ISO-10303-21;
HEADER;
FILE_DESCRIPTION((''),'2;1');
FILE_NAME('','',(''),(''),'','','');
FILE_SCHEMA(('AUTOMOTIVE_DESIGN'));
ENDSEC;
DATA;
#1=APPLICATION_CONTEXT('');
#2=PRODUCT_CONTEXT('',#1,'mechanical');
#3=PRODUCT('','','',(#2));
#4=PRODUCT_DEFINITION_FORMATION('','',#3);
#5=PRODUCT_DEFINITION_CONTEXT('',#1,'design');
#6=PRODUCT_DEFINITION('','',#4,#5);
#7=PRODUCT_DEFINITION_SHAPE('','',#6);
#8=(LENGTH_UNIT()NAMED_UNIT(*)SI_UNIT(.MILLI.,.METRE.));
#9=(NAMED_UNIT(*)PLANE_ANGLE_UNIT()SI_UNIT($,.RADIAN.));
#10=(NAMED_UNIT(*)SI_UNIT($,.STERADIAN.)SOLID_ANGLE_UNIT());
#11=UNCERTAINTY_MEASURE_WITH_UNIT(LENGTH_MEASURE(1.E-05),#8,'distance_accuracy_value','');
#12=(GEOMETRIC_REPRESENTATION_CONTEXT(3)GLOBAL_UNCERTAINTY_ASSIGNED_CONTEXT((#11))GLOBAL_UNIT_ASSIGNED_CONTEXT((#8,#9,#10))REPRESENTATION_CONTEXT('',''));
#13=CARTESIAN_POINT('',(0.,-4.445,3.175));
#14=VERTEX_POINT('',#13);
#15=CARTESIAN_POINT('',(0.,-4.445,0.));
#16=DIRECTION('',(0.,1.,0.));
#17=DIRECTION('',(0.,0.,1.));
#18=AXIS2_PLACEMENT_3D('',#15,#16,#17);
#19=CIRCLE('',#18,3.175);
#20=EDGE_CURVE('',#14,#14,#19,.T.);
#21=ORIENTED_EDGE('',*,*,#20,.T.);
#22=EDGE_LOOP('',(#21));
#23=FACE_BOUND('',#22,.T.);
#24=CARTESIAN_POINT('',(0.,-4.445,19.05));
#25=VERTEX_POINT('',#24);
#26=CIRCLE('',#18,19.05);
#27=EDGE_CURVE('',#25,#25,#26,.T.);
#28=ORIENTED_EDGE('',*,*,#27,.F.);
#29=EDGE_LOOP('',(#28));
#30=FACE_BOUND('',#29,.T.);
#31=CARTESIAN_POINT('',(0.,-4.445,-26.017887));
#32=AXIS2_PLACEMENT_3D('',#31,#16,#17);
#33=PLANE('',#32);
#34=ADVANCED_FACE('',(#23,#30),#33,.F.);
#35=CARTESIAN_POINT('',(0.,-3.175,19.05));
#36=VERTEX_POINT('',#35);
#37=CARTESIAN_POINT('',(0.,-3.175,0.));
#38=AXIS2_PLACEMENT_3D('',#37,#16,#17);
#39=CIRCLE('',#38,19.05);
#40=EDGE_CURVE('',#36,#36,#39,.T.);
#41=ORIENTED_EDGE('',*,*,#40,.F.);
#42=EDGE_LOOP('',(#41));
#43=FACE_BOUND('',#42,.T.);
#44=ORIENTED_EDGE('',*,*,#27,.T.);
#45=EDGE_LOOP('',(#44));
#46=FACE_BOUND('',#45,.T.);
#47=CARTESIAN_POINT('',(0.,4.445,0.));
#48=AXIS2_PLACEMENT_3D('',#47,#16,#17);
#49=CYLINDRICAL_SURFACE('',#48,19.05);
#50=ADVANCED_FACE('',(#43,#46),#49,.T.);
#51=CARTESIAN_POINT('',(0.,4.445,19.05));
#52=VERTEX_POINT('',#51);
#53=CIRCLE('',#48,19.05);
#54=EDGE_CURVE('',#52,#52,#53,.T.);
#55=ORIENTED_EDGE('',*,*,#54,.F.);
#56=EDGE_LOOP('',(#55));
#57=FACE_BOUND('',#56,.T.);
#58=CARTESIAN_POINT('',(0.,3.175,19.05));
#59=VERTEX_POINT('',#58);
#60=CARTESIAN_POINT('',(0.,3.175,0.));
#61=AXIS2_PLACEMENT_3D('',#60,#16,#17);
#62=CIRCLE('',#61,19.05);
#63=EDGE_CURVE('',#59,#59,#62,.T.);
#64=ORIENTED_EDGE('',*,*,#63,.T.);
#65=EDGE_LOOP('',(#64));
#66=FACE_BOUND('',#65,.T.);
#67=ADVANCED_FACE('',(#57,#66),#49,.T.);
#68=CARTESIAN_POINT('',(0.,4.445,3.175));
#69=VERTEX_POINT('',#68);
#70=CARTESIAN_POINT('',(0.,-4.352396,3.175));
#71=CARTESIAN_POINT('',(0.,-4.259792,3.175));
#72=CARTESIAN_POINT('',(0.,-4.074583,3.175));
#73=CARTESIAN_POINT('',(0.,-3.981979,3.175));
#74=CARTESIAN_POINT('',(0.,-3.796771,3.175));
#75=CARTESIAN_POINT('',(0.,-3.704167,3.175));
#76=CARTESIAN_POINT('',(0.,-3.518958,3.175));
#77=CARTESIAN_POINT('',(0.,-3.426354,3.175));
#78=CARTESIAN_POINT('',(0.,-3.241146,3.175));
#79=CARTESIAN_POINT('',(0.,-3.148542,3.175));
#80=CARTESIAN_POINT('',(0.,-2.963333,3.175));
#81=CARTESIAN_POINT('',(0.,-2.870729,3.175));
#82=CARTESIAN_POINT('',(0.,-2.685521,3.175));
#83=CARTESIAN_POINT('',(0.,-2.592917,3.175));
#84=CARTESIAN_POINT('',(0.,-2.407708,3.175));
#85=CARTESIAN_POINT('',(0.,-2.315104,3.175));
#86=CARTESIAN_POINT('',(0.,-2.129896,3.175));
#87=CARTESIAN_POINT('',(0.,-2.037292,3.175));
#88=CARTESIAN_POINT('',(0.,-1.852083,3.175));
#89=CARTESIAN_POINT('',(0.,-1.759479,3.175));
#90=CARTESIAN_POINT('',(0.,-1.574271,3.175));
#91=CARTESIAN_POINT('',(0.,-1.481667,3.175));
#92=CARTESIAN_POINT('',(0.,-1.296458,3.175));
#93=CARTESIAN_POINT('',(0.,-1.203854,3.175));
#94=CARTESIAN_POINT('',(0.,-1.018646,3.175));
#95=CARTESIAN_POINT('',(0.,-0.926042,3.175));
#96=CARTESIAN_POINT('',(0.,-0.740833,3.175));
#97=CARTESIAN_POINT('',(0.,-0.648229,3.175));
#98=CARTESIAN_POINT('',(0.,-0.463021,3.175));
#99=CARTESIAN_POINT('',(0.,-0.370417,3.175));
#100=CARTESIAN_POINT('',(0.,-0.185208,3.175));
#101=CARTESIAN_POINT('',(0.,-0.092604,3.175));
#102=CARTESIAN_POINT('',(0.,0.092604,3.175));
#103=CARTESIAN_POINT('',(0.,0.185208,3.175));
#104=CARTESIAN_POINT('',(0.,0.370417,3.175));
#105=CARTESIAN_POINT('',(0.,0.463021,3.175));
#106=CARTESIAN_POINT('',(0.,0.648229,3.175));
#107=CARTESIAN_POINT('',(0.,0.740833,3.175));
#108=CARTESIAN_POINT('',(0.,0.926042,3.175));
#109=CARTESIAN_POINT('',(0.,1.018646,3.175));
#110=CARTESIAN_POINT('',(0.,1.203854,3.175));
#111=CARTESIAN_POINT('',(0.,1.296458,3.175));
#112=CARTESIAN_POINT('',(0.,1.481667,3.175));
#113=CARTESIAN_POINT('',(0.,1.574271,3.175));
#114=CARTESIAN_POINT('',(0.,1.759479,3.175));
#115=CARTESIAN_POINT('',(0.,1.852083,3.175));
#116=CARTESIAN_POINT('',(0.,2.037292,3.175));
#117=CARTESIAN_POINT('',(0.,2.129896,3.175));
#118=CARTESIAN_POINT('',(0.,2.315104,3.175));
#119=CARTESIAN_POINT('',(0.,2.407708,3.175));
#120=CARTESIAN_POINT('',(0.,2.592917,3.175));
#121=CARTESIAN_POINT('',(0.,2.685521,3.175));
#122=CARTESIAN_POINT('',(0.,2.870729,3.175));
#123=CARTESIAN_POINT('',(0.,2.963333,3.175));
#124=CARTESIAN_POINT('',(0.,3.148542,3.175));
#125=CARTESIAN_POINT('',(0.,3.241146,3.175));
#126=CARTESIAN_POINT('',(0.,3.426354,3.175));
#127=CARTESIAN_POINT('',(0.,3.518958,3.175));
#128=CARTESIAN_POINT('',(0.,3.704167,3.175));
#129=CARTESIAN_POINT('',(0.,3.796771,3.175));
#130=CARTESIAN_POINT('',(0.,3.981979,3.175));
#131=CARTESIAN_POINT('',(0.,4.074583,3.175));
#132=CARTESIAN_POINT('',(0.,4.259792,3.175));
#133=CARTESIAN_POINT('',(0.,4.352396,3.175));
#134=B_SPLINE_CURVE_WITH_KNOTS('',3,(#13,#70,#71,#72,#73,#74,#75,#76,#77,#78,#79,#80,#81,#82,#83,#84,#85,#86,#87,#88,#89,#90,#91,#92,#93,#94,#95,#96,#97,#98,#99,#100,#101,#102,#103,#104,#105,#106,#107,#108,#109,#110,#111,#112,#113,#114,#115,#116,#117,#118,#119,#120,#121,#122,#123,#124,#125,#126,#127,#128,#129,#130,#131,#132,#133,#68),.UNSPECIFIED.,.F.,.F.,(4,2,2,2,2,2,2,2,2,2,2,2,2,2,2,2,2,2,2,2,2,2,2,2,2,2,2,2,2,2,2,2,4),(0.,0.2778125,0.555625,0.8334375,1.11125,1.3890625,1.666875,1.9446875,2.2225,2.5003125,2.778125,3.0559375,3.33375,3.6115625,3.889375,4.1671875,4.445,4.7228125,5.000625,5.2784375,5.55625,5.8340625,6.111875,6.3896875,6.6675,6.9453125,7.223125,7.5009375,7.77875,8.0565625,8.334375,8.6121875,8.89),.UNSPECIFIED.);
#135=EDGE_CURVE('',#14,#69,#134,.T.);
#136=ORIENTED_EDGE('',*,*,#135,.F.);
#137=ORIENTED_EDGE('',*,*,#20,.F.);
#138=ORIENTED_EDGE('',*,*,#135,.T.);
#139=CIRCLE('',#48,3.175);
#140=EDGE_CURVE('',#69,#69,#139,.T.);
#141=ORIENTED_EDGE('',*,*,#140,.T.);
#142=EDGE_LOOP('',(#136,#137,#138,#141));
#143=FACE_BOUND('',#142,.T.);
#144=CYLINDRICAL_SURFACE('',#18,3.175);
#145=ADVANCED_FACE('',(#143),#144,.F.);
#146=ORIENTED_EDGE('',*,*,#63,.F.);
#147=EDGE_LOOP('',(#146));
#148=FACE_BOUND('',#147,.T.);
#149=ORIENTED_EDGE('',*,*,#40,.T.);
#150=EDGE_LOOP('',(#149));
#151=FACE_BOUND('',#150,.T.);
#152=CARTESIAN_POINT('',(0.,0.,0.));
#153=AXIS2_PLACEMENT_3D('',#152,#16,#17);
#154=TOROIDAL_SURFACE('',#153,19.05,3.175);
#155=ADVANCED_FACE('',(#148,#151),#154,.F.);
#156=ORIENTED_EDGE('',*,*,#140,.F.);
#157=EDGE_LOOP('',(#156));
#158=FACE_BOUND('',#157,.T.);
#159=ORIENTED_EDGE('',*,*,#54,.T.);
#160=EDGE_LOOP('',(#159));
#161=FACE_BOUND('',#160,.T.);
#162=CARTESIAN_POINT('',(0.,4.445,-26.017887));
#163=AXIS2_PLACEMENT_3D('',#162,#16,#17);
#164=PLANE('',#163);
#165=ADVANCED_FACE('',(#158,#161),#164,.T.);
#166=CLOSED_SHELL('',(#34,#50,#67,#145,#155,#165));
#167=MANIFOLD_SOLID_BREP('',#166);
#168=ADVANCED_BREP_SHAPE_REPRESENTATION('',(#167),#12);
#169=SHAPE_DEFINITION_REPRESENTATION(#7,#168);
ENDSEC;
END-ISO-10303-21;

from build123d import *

# Parameters (mm, degrees)
SKETCH2_R          = 3.175
CUT_EXTRUDE1_DEPTH = 29.369651038


with BuildPart() as part:
    # Sketch1 → Revolve1 (revolve)
    with BuildSketch(Plane(origin=(0, 0, 0), x_dir=(0, 0, -1), z_dir=(1, 0, 0)), mode=Mode.PRIVATE) as revolve1_sk:
        with BuildLine():
            ThreePointArc((19.05, 3.175), (15.875, 0), (19.05, -3.175))
            Line((19.05, -3.175), (19.05, -4.445))
            Line((19.05, -4.445), (0, -4.445))
            Line((0, -4.445), (0, 4.445))
            Line((0, 4.445), (19.05, 4.445))
            Line((19.05, 4.445), (19.05, 3.175))
        make_face()
    revolve(revolve1_sk.sketch.rotate(Axis((0, 4.445, 0), (0, -1, 0)), 180), axis=Axis((0, 4.445, 0), (0, -1, 0)))

    # Sketch2 → Cut-Extrude1 (cut, through all)
    with BuildSketch(Plane(origin=(0, 4.445, 0), x_dir=(1, 0, 0), z_dir=(0, 1, 0))):
        with Locations(Location((0, 0, 0), (0, 0, 270))):
            Circle(SKETCH2_R)
    extrude(amount=-CUT_EXTRUDE1_DEPTH, mode=Mode.SUBTRACT)


solid = part.part
